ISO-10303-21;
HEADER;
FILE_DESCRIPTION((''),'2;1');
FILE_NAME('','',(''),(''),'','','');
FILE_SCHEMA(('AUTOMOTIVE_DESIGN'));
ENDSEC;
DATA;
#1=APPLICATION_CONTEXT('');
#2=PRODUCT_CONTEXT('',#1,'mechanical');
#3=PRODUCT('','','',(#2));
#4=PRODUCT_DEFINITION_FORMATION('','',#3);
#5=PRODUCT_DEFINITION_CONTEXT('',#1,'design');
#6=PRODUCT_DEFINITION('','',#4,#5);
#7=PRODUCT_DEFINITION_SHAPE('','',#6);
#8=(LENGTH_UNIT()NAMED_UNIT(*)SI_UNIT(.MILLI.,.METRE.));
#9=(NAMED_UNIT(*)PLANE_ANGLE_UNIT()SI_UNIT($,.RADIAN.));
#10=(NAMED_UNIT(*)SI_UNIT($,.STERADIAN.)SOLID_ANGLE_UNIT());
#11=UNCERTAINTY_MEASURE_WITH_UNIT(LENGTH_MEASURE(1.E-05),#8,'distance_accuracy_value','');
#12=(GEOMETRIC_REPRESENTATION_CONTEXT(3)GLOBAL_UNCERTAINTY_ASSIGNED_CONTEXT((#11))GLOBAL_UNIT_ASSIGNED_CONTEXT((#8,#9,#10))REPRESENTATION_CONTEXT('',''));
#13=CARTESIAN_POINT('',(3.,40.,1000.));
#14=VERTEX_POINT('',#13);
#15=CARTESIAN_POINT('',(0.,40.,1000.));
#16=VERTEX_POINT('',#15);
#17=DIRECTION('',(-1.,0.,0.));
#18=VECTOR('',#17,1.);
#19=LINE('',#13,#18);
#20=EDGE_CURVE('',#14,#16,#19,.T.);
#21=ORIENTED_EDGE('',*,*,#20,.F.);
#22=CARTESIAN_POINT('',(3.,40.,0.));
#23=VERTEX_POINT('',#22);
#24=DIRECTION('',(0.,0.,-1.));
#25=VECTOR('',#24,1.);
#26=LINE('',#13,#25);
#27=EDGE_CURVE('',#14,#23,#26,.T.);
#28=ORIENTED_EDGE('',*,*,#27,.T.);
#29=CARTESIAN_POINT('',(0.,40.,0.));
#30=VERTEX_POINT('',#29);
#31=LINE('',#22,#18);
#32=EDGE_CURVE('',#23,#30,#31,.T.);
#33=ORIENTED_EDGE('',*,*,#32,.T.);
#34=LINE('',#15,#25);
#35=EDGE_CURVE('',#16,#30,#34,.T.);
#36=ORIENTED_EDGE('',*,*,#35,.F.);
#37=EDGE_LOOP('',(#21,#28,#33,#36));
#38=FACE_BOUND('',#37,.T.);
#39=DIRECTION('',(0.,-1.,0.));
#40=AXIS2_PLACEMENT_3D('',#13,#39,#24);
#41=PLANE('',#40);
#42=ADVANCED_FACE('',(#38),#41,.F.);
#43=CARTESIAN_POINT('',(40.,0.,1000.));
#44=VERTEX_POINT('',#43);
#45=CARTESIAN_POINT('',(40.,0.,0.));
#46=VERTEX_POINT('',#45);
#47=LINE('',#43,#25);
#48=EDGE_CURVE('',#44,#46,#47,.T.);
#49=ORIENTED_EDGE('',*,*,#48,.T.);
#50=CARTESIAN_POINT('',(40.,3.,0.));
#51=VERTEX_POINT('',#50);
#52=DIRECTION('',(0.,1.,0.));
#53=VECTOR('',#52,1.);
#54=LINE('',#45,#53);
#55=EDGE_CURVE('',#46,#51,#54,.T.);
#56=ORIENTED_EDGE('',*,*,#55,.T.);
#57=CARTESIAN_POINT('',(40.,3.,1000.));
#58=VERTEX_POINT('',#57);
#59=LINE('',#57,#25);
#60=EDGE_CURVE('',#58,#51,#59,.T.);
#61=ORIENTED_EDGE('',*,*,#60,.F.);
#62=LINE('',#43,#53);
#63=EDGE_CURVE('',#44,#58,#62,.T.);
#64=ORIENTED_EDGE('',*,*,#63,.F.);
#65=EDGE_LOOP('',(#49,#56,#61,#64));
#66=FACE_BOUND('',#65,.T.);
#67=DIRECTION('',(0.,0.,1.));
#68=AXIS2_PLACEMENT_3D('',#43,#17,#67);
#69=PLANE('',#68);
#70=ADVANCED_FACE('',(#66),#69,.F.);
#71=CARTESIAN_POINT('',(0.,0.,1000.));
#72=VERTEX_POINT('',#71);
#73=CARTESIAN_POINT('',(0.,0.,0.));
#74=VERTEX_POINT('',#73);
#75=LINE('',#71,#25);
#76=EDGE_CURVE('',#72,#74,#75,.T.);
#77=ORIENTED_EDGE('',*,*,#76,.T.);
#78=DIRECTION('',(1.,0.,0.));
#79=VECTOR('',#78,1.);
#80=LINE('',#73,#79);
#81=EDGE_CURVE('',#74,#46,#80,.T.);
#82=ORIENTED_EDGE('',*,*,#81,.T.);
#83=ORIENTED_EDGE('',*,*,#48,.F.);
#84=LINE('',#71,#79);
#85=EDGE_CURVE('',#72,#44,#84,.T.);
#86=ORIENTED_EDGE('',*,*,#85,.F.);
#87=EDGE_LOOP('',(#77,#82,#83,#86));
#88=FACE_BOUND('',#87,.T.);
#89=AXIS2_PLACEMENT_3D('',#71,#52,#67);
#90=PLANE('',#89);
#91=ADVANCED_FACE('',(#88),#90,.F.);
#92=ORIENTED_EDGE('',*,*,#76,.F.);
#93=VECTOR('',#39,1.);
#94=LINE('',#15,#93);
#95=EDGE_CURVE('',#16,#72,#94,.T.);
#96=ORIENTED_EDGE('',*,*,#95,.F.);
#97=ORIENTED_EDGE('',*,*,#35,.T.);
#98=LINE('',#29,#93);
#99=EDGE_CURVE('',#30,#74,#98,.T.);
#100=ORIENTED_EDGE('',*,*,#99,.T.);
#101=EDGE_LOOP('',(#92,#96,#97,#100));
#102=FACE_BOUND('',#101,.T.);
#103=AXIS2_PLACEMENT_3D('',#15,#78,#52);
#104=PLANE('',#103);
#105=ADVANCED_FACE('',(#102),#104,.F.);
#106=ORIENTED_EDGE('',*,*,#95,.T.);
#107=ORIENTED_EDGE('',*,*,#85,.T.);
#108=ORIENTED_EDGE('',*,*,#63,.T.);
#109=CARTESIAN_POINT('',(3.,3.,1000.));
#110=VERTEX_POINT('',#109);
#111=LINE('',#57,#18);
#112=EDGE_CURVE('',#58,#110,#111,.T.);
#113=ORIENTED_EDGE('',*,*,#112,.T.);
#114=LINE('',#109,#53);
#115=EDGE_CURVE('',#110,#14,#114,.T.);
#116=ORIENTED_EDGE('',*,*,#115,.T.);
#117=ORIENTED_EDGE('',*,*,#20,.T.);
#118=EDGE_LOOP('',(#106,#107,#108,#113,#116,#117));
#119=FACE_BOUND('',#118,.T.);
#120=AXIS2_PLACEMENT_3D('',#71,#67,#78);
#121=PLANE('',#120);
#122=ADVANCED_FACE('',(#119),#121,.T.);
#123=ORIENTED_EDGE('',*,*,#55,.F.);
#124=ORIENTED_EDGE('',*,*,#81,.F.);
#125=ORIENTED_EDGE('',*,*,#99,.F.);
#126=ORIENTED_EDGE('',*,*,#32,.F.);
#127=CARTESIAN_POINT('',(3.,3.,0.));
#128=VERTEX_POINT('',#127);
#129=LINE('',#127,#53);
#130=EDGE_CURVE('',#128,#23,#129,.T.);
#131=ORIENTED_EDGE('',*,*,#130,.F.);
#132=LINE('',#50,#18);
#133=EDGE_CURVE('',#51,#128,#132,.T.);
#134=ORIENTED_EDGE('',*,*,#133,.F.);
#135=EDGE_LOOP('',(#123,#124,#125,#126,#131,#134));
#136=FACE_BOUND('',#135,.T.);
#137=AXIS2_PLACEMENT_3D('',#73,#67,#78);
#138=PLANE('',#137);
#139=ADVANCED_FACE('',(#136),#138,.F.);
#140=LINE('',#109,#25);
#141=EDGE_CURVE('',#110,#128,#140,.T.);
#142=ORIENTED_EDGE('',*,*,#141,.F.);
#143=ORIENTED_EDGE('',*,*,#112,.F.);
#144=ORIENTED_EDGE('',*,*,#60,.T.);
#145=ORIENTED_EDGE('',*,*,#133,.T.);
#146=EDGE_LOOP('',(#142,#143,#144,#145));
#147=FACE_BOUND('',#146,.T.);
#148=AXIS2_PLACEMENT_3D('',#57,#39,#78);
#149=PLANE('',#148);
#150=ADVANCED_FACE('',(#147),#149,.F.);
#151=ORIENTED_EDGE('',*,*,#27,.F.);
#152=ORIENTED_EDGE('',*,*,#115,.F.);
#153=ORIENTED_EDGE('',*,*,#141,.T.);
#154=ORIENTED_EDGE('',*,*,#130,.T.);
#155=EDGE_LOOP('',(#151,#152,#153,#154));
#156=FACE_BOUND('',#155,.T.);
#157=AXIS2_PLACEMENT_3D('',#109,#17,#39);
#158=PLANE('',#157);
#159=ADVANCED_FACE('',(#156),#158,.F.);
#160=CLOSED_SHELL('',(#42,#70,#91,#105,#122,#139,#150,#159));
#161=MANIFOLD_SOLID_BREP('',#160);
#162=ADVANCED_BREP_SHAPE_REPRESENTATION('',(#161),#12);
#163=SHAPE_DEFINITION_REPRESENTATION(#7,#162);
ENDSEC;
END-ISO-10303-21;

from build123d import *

# Parameters (mm, degrees)
EXTRUDE_1_DEPTH = 1000


with BuildPart() as part:
    # Эскиз1 → Бобышка-Вытянуть1 (new body)
    with BuildSketch(Plane.XY):
        Polygon((0, 40), (0, 0), (40, 0), (40, 3), (3, 3), (3, 40), align=None)
    extrude(amount=EXTRUDE_1_DEPTH)


solid = part.part
